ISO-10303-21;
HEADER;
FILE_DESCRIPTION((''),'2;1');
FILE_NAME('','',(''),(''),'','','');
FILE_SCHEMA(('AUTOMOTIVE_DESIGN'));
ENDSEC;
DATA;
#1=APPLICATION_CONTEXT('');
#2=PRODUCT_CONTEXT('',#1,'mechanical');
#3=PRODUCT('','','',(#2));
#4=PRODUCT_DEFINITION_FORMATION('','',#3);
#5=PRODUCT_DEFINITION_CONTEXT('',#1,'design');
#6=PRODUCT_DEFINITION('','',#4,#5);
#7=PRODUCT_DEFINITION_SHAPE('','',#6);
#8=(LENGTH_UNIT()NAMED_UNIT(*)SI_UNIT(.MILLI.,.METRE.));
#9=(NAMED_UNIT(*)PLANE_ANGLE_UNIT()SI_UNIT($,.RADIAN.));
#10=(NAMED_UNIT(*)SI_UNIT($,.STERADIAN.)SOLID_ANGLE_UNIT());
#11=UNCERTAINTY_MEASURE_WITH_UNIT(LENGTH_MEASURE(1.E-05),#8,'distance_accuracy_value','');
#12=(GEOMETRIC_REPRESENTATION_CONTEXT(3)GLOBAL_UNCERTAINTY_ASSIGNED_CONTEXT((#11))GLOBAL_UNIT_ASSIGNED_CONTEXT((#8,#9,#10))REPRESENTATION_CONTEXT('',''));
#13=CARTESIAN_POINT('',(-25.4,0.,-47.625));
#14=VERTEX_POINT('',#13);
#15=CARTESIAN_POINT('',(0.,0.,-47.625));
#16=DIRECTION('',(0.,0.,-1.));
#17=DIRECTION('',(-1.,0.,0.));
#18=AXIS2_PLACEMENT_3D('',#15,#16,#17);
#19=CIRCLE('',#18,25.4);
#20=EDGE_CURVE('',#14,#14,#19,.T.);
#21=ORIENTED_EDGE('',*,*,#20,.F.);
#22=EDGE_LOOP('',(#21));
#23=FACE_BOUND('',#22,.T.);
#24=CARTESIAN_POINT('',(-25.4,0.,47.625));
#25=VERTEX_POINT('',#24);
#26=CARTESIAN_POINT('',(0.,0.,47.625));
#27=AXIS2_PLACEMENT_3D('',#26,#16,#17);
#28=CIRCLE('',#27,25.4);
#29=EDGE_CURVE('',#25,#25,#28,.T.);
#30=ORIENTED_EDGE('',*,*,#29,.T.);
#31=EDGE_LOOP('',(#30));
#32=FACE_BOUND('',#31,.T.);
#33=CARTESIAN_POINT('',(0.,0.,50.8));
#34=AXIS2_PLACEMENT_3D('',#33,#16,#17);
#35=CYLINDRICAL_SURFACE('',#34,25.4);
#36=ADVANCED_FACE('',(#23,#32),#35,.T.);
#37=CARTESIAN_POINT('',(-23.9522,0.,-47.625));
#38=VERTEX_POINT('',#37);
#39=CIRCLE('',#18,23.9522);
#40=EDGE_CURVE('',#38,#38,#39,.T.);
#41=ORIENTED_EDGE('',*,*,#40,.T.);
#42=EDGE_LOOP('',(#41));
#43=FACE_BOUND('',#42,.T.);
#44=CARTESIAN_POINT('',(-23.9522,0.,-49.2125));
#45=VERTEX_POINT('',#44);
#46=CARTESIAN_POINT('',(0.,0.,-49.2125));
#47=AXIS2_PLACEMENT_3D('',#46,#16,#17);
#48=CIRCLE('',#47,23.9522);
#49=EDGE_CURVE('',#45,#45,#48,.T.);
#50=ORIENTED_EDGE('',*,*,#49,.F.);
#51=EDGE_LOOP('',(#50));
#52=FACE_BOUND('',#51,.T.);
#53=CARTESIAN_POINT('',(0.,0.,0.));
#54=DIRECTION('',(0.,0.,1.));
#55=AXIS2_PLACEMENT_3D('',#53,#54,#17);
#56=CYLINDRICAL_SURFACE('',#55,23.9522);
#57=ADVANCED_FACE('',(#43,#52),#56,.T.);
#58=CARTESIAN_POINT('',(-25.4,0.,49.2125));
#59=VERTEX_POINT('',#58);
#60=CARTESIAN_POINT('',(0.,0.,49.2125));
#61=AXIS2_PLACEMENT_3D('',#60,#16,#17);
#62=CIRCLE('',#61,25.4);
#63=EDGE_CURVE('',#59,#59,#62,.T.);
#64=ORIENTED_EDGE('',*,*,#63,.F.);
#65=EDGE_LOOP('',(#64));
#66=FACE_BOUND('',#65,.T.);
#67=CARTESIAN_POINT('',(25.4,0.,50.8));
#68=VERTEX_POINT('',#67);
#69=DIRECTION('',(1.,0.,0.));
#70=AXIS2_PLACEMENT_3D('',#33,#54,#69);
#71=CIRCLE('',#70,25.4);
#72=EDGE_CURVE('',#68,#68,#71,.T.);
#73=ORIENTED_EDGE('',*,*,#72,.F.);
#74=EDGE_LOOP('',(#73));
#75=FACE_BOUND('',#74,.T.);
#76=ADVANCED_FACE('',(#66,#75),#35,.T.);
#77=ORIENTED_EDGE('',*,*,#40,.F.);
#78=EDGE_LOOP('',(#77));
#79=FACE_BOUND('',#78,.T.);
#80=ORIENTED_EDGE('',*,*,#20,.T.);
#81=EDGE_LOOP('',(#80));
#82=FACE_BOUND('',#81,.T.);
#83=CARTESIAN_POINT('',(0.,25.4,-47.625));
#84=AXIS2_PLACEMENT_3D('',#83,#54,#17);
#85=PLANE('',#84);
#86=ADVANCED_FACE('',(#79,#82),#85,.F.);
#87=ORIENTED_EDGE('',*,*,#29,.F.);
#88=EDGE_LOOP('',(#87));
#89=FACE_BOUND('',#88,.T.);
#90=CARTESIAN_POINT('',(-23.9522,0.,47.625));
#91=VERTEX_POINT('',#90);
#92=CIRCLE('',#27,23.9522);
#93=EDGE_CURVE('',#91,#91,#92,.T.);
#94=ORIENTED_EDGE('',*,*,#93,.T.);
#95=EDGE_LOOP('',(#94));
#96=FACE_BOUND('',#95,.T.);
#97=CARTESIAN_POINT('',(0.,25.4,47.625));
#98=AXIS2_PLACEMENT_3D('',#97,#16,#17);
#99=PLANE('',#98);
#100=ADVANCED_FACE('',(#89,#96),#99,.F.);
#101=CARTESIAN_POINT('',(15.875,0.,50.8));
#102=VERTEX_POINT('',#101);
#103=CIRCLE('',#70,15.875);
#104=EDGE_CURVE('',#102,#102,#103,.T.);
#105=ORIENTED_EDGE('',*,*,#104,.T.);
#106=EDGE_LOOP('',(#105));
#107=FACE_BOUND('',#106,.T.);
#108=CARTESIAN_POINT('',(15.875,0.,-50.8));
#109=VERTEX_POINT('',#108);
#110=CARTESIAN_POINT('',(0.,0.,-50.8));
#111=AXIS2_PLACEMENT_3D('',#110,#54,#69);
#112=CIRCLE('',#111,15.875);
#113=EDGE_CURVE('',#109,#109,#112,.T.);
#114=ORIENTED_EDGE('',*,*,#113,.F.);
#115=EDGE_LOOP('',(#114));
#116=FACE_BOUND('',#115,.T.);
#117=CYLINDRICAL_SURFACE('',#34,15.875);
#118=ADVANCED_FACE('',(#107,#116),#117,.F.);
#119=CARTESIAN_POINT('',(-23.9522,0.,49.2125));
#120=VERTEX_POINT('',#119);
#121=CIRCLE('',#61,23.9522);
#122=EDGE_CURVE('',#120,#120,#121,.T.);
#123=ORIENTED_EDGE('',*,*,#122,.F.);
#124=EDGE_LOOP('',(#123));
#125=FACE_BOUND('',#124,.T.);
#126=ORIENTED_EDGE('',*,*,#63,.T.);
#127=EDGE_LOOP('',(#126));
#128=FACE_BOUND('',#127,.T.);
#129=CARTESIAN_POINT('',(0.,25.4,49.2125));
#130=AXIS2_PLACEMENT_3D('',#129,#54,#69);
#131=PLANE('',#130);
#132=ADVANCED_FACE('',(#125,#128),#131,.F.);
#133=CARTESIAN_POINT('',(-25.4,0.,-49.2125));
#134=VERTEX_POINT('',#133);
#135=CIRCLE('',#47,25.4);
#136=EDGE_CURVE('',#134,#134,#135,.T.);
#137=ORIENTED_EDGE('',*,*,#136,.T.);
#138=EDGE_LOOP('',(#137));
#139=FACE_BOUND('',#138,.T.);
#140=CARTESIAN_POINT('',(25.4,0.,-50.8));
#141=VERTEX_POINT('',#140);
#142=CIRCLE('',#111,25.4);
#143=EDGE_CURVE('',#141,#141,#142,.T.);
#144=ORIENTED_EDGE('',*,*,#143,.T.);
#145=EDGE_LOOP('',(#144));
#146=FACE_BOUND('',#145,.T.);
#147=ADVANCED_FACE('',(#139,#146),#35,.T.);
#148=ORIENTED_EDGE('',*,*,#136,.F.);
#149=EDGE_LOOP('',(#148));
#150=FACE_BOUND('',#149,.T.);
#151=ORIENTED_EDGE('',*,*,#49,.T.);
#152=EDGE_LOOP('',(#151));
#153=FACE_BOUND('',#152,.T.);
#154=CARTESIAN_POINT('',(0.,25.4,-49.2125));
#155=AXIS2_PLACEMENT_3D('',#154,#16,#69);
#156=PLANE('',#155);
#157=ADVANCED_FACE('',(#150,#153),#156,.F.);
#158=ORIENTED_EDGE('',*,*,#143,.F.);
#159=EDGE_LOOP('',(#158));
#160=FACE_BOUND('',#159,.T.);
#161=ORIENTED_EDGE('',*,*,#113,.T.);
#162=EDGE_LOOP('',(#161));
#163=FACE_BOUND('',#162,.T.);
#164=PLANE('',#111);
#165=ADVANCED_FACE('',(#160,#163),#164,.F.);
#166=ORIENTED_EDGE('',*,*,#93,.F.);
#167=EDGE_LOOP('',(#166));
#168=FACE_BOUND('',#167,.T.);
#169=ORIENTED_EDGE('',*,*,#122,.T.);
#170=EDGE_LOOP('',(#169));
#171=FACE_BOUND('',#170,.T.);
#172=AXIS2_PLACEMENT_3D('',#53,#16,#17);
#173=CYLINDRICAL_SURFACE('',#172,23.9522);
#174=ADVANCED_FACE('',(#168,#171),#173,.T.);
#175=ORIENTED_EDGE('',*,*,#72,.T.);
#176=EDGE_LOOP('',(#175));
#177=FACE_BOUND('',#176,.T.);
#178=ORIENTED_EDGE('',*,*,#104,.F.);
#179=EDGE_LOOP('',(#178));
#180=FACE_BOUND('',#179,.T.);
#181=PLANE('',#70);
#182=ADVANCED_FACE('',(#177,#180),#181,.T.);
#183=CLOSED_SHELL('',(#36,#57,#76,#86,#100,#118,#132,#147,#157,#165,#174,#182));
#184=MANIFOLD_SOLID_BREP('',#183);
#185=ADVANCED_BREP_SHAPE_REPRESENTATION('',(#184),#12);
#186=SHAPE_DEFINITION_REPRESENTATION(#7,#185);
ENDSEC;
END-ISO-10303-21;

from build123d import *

# Parameters (mm, degrees)
SKETCH1_R           = 25.4
SKETCH1_R_2         = 15.875
BOSS_EXTRUDE1_DEPTH = 50.8
SKETCH2_W           = 1.5875
SKETCH2_H           = 1.4478


with BuildPart() as part:
    # Sketch1 → Boss-Extrude1 (new, symmetric)
    with BuildSketch(Plane.XY):
        Circle(SKETCH1_R)
        Circle(SKETCH1_R_2, mode=Mode.SUBTRACT)
    extrude(amount=BOSS_EXTRUDE1_DEPTH, both=True)

    # Sketch2 → Cut-Revolve1 (revolve, cut)
    with BuildSketch(Plane(origin=(0, 0, 0), x_dir=(0, 0, -1), z_dir=(1, 0, 0)), mode=Mode.PRIVATE) as cut_revolve1_sk:
        with Locations((-48.41875, 24.6761)):
            Rectangle(SKETCH2_W, SKETCH2_H)
    cut_revolve1 = revolve(cut_revolve1_sk.sketch.rotate(Axis((0, 0, 0), (0, 0, 1)), 90), axis=Axis((0, 0, 0), (0, 0, 1)), mode=Mode.SUBTRACT)

    # Mirror1: Cut-Revolve1 across plane
    add(cut_revolve1.mirror(Plane.XY), mode=Mode.SUBTRACT)


solid = part.part
